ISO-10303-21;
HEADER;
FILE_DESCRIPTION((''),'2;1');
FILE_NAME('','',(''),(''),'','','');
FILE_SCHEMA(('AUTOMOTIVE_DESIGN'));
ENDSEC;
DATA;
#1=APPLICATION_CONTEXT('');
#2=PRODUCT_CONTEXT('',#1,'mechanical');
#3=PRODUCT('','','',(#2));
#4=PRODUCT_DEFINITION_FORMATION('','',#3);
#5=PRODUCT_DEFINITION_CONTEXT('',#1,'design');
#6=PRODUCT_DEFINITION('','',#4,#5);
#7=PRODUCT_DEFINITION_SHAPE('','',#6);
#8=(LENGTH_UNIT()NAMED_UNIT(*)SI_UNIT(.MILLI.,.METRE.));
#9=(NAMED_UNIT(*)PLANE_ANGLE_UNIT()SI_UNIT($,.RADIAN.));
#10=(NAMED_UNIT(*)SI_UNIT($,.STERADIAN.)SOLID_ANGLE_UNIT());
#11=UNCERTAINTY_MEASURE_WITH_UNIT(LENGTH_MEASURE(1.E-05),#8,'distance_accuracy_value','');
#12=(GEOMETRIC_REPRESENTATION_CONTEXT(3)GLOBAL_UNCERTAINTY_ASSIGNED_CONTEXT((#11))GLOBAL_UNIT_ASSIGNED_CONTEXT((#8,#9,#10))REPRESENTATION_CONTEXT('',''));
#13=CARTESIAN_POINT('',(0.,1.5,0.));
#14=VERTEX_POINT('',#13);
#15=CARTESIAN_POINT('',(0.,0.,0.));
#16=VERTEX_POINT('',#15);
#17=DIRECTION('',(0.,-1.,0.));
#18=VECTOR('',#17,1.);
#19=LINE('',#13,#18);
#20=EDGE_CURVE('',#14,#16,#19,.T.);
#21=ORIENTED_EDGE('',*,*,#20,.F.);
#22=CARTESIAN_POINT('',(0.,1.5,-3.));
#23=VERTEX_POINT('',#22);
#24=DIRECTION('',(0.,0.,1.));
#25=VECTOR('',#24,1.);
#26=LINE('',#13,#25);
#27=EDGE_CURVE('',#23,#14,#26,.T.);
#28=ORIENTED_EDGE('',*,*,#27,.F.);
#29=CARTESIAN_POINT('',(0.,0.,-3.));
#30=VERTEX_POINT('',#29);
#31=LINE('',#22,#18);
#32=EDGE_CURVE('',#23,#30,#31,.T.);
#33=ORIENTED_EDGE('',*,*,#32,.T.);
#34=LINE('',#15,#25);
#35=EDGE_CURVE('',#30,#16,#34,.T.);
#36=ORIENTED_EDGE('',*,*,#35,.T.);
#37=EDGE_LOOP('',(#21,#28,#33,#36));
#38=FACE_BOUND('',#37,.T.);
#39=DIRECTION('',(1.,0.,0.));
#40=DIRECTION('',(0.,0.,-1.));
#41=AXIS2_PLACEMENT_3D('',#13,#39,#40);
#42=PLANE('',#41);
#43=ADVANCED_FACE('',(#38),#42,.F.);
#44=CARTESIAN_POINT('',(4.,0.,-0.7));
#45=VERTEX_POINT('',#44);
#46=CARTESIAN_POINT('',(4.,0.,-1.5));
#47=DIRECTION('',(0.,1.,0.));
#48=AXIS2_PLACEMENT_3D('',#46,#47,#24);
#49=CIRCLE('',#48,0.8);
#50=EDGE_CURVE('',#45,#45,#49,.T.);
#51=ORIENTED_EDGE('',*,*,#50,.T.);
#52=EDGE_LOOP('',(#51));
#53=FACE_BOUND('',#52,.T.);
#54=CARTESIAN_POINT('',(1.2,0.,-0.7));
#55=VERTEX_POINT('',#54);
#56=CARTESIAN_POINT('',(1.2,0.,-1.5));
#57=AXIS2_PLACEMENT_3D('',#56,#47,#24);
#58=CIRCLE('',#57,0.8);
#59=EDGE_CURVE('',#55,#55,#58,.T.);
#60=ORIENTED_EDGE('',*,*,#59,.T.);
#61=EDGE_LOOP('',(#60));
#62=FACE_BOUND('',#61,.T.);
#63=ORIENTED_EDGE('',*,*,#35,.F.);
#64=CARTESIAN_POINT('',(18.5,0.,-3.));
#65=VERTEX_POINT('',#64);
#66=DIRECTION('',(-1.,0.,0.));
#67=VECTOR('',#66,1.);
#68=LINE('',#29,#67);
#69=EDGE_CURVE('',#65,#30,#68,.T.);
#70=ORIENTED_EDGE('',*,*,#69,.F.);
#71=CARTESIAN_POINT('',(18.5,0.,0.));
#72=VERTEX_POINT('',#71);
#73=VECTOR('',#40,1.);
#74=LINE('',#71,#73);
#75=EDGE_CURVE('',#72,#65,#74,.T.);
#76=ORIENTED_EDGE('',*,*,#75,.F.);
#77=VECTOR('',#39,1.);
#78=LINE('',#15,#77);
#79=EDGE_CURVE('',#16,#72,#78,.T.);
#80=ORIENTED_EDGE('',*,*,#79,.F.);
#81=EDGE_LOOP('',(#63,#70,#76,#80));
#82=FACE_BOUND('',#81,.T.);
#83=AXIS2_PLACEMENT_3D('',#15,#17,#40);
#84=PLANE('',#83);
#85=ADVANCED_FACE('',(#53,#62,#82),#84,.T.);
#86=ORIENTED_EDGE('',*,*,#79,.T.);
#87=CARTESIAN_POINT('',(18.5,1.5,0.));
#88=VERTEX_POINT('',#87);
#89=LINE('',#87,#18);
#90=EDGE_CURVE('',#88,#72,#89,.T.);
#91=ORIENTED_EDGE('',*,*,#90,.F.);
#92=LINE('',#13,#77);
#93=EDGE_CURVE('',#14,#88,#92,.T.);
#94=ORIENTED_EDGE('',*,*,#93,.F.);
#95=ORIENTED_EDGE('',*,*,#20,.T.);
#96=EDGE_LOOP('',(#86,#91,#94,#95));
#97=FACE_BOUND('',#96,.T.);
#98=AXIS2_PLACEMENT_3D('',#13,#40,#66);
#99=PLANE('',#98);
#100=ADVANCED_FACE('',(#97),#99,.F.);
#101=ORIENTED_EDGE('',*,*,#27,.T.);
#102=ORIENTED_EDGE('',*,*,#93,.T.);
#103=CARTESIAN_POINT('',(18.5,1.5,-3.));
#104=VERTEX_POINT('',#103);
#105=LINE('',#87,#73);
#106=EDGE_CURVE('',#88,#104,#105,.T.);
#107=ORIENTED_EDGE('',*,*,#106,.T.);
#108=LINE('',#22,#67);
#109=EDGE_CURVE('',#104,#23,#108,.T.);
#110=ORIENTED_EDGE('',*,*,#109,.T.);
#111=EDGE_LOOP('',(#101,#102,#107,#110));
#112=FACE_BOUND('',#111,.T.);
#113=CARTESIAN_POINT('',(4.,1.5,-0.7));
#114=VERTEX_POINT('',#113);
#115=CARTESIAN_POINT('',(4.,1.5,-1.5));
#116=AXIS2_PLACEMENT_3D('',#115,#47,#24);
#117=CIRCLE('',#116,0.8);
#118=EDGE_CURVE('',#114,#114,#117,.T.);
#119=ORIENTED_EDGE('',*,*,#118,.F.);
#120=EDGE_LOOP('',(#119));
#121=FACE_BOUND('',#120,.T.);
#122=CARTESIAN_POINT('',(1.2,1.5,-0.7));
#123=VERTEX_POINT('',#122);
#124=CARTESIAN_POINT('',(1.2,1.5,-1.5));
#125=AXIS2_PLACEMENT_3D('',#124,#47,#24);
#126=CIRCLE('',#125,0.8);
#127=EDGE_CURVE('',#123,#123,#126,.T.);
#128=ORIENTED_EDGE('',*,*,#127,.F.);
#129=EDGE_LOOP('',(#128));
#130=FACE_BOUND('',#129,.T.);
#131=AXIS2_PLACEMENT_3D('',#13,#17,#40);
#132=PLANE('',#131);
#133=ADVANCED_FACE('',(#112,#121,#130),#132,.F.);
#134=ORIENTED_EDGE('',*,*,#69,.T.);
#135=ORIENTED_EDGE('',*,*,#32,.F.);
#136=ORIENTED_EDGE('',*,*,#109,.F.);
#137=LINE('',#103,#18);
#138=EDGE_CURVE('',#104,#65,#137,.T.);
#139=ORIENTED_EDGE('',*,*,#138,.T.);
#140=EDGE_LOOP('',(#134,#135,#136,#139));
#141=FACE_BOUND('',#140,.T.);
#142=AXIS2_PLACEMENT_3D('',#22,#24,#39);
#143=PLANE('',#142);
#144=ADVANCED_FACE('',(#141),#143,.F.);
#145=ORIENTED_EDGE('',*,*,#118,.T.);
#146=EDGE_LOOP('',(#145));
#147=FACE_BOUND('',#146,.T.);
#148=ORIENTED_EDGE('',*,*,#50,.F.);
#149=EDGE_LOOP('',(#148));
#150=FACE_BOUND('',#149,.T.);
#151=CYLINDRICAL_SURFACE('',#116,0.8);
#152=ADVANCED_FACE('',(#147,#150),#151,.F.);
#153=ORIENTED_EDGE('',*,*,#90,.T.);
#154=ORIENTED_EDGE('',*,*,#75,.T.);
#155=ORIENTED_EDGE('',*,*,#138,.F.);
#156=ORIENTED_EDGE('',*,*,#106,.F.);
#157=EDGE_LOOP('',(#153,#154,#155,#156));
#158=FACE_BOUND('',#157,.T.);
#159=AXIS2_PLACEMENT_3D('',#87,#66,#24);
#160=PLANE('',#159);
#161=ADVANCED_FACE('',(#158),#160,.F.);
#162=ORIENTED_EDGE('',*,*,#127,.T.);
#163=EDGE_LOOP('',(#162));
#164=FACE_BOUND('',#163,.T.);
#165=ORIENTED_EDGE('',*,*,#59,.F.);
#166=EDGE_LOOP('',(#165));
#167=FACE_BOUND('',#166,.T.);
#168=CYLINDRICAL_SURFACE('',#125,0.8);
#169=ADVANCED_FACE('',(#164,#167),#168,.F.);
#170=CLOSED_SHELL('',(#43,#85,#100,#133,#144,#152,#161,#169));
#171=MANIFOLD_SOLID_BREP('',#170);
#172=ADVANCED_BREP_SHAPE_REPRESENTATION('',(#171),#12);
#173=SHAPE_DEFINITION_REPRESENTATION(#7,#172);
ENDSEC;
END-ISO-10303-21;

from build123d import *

# Parameters (mm, degrees)
SKETCH1_W                    = 18.5
SKETCH1_H                    = 3
BOSS_EXTRUDE1_DEPTH          = 1.5
F_97_0_0059_DIAMETER_HOLE1_D = 1.600000102


with BuildPart() as part:
    # Sketch1 → Boss-Extrude1 (new body)
    with BuildSketch(Plane(origin=(0, 0, 0), x_dir=(1, 0, 0), z_dir=(0, 1, 0))):
        with Locations((9.25, 1.5)):
            Rectangle(SKETCH1_W, SKETCH1_H)
    extrude(amount=BOSS_EXTRUDE1_DEPTH)

    # #97 (0.0059) Diameter Hole1 (through all)
    with Locations(Plane(origin=(0, 1.5, 0), x_dir=(1, 0, 0), z_dir=(0, 1, 0))):
        with Locations((1.2, 1.5), (4, 1.5)):
            Hole(F_97_0_0059_DIAMETER_HOLE1_D / 2)


solid = part.part
